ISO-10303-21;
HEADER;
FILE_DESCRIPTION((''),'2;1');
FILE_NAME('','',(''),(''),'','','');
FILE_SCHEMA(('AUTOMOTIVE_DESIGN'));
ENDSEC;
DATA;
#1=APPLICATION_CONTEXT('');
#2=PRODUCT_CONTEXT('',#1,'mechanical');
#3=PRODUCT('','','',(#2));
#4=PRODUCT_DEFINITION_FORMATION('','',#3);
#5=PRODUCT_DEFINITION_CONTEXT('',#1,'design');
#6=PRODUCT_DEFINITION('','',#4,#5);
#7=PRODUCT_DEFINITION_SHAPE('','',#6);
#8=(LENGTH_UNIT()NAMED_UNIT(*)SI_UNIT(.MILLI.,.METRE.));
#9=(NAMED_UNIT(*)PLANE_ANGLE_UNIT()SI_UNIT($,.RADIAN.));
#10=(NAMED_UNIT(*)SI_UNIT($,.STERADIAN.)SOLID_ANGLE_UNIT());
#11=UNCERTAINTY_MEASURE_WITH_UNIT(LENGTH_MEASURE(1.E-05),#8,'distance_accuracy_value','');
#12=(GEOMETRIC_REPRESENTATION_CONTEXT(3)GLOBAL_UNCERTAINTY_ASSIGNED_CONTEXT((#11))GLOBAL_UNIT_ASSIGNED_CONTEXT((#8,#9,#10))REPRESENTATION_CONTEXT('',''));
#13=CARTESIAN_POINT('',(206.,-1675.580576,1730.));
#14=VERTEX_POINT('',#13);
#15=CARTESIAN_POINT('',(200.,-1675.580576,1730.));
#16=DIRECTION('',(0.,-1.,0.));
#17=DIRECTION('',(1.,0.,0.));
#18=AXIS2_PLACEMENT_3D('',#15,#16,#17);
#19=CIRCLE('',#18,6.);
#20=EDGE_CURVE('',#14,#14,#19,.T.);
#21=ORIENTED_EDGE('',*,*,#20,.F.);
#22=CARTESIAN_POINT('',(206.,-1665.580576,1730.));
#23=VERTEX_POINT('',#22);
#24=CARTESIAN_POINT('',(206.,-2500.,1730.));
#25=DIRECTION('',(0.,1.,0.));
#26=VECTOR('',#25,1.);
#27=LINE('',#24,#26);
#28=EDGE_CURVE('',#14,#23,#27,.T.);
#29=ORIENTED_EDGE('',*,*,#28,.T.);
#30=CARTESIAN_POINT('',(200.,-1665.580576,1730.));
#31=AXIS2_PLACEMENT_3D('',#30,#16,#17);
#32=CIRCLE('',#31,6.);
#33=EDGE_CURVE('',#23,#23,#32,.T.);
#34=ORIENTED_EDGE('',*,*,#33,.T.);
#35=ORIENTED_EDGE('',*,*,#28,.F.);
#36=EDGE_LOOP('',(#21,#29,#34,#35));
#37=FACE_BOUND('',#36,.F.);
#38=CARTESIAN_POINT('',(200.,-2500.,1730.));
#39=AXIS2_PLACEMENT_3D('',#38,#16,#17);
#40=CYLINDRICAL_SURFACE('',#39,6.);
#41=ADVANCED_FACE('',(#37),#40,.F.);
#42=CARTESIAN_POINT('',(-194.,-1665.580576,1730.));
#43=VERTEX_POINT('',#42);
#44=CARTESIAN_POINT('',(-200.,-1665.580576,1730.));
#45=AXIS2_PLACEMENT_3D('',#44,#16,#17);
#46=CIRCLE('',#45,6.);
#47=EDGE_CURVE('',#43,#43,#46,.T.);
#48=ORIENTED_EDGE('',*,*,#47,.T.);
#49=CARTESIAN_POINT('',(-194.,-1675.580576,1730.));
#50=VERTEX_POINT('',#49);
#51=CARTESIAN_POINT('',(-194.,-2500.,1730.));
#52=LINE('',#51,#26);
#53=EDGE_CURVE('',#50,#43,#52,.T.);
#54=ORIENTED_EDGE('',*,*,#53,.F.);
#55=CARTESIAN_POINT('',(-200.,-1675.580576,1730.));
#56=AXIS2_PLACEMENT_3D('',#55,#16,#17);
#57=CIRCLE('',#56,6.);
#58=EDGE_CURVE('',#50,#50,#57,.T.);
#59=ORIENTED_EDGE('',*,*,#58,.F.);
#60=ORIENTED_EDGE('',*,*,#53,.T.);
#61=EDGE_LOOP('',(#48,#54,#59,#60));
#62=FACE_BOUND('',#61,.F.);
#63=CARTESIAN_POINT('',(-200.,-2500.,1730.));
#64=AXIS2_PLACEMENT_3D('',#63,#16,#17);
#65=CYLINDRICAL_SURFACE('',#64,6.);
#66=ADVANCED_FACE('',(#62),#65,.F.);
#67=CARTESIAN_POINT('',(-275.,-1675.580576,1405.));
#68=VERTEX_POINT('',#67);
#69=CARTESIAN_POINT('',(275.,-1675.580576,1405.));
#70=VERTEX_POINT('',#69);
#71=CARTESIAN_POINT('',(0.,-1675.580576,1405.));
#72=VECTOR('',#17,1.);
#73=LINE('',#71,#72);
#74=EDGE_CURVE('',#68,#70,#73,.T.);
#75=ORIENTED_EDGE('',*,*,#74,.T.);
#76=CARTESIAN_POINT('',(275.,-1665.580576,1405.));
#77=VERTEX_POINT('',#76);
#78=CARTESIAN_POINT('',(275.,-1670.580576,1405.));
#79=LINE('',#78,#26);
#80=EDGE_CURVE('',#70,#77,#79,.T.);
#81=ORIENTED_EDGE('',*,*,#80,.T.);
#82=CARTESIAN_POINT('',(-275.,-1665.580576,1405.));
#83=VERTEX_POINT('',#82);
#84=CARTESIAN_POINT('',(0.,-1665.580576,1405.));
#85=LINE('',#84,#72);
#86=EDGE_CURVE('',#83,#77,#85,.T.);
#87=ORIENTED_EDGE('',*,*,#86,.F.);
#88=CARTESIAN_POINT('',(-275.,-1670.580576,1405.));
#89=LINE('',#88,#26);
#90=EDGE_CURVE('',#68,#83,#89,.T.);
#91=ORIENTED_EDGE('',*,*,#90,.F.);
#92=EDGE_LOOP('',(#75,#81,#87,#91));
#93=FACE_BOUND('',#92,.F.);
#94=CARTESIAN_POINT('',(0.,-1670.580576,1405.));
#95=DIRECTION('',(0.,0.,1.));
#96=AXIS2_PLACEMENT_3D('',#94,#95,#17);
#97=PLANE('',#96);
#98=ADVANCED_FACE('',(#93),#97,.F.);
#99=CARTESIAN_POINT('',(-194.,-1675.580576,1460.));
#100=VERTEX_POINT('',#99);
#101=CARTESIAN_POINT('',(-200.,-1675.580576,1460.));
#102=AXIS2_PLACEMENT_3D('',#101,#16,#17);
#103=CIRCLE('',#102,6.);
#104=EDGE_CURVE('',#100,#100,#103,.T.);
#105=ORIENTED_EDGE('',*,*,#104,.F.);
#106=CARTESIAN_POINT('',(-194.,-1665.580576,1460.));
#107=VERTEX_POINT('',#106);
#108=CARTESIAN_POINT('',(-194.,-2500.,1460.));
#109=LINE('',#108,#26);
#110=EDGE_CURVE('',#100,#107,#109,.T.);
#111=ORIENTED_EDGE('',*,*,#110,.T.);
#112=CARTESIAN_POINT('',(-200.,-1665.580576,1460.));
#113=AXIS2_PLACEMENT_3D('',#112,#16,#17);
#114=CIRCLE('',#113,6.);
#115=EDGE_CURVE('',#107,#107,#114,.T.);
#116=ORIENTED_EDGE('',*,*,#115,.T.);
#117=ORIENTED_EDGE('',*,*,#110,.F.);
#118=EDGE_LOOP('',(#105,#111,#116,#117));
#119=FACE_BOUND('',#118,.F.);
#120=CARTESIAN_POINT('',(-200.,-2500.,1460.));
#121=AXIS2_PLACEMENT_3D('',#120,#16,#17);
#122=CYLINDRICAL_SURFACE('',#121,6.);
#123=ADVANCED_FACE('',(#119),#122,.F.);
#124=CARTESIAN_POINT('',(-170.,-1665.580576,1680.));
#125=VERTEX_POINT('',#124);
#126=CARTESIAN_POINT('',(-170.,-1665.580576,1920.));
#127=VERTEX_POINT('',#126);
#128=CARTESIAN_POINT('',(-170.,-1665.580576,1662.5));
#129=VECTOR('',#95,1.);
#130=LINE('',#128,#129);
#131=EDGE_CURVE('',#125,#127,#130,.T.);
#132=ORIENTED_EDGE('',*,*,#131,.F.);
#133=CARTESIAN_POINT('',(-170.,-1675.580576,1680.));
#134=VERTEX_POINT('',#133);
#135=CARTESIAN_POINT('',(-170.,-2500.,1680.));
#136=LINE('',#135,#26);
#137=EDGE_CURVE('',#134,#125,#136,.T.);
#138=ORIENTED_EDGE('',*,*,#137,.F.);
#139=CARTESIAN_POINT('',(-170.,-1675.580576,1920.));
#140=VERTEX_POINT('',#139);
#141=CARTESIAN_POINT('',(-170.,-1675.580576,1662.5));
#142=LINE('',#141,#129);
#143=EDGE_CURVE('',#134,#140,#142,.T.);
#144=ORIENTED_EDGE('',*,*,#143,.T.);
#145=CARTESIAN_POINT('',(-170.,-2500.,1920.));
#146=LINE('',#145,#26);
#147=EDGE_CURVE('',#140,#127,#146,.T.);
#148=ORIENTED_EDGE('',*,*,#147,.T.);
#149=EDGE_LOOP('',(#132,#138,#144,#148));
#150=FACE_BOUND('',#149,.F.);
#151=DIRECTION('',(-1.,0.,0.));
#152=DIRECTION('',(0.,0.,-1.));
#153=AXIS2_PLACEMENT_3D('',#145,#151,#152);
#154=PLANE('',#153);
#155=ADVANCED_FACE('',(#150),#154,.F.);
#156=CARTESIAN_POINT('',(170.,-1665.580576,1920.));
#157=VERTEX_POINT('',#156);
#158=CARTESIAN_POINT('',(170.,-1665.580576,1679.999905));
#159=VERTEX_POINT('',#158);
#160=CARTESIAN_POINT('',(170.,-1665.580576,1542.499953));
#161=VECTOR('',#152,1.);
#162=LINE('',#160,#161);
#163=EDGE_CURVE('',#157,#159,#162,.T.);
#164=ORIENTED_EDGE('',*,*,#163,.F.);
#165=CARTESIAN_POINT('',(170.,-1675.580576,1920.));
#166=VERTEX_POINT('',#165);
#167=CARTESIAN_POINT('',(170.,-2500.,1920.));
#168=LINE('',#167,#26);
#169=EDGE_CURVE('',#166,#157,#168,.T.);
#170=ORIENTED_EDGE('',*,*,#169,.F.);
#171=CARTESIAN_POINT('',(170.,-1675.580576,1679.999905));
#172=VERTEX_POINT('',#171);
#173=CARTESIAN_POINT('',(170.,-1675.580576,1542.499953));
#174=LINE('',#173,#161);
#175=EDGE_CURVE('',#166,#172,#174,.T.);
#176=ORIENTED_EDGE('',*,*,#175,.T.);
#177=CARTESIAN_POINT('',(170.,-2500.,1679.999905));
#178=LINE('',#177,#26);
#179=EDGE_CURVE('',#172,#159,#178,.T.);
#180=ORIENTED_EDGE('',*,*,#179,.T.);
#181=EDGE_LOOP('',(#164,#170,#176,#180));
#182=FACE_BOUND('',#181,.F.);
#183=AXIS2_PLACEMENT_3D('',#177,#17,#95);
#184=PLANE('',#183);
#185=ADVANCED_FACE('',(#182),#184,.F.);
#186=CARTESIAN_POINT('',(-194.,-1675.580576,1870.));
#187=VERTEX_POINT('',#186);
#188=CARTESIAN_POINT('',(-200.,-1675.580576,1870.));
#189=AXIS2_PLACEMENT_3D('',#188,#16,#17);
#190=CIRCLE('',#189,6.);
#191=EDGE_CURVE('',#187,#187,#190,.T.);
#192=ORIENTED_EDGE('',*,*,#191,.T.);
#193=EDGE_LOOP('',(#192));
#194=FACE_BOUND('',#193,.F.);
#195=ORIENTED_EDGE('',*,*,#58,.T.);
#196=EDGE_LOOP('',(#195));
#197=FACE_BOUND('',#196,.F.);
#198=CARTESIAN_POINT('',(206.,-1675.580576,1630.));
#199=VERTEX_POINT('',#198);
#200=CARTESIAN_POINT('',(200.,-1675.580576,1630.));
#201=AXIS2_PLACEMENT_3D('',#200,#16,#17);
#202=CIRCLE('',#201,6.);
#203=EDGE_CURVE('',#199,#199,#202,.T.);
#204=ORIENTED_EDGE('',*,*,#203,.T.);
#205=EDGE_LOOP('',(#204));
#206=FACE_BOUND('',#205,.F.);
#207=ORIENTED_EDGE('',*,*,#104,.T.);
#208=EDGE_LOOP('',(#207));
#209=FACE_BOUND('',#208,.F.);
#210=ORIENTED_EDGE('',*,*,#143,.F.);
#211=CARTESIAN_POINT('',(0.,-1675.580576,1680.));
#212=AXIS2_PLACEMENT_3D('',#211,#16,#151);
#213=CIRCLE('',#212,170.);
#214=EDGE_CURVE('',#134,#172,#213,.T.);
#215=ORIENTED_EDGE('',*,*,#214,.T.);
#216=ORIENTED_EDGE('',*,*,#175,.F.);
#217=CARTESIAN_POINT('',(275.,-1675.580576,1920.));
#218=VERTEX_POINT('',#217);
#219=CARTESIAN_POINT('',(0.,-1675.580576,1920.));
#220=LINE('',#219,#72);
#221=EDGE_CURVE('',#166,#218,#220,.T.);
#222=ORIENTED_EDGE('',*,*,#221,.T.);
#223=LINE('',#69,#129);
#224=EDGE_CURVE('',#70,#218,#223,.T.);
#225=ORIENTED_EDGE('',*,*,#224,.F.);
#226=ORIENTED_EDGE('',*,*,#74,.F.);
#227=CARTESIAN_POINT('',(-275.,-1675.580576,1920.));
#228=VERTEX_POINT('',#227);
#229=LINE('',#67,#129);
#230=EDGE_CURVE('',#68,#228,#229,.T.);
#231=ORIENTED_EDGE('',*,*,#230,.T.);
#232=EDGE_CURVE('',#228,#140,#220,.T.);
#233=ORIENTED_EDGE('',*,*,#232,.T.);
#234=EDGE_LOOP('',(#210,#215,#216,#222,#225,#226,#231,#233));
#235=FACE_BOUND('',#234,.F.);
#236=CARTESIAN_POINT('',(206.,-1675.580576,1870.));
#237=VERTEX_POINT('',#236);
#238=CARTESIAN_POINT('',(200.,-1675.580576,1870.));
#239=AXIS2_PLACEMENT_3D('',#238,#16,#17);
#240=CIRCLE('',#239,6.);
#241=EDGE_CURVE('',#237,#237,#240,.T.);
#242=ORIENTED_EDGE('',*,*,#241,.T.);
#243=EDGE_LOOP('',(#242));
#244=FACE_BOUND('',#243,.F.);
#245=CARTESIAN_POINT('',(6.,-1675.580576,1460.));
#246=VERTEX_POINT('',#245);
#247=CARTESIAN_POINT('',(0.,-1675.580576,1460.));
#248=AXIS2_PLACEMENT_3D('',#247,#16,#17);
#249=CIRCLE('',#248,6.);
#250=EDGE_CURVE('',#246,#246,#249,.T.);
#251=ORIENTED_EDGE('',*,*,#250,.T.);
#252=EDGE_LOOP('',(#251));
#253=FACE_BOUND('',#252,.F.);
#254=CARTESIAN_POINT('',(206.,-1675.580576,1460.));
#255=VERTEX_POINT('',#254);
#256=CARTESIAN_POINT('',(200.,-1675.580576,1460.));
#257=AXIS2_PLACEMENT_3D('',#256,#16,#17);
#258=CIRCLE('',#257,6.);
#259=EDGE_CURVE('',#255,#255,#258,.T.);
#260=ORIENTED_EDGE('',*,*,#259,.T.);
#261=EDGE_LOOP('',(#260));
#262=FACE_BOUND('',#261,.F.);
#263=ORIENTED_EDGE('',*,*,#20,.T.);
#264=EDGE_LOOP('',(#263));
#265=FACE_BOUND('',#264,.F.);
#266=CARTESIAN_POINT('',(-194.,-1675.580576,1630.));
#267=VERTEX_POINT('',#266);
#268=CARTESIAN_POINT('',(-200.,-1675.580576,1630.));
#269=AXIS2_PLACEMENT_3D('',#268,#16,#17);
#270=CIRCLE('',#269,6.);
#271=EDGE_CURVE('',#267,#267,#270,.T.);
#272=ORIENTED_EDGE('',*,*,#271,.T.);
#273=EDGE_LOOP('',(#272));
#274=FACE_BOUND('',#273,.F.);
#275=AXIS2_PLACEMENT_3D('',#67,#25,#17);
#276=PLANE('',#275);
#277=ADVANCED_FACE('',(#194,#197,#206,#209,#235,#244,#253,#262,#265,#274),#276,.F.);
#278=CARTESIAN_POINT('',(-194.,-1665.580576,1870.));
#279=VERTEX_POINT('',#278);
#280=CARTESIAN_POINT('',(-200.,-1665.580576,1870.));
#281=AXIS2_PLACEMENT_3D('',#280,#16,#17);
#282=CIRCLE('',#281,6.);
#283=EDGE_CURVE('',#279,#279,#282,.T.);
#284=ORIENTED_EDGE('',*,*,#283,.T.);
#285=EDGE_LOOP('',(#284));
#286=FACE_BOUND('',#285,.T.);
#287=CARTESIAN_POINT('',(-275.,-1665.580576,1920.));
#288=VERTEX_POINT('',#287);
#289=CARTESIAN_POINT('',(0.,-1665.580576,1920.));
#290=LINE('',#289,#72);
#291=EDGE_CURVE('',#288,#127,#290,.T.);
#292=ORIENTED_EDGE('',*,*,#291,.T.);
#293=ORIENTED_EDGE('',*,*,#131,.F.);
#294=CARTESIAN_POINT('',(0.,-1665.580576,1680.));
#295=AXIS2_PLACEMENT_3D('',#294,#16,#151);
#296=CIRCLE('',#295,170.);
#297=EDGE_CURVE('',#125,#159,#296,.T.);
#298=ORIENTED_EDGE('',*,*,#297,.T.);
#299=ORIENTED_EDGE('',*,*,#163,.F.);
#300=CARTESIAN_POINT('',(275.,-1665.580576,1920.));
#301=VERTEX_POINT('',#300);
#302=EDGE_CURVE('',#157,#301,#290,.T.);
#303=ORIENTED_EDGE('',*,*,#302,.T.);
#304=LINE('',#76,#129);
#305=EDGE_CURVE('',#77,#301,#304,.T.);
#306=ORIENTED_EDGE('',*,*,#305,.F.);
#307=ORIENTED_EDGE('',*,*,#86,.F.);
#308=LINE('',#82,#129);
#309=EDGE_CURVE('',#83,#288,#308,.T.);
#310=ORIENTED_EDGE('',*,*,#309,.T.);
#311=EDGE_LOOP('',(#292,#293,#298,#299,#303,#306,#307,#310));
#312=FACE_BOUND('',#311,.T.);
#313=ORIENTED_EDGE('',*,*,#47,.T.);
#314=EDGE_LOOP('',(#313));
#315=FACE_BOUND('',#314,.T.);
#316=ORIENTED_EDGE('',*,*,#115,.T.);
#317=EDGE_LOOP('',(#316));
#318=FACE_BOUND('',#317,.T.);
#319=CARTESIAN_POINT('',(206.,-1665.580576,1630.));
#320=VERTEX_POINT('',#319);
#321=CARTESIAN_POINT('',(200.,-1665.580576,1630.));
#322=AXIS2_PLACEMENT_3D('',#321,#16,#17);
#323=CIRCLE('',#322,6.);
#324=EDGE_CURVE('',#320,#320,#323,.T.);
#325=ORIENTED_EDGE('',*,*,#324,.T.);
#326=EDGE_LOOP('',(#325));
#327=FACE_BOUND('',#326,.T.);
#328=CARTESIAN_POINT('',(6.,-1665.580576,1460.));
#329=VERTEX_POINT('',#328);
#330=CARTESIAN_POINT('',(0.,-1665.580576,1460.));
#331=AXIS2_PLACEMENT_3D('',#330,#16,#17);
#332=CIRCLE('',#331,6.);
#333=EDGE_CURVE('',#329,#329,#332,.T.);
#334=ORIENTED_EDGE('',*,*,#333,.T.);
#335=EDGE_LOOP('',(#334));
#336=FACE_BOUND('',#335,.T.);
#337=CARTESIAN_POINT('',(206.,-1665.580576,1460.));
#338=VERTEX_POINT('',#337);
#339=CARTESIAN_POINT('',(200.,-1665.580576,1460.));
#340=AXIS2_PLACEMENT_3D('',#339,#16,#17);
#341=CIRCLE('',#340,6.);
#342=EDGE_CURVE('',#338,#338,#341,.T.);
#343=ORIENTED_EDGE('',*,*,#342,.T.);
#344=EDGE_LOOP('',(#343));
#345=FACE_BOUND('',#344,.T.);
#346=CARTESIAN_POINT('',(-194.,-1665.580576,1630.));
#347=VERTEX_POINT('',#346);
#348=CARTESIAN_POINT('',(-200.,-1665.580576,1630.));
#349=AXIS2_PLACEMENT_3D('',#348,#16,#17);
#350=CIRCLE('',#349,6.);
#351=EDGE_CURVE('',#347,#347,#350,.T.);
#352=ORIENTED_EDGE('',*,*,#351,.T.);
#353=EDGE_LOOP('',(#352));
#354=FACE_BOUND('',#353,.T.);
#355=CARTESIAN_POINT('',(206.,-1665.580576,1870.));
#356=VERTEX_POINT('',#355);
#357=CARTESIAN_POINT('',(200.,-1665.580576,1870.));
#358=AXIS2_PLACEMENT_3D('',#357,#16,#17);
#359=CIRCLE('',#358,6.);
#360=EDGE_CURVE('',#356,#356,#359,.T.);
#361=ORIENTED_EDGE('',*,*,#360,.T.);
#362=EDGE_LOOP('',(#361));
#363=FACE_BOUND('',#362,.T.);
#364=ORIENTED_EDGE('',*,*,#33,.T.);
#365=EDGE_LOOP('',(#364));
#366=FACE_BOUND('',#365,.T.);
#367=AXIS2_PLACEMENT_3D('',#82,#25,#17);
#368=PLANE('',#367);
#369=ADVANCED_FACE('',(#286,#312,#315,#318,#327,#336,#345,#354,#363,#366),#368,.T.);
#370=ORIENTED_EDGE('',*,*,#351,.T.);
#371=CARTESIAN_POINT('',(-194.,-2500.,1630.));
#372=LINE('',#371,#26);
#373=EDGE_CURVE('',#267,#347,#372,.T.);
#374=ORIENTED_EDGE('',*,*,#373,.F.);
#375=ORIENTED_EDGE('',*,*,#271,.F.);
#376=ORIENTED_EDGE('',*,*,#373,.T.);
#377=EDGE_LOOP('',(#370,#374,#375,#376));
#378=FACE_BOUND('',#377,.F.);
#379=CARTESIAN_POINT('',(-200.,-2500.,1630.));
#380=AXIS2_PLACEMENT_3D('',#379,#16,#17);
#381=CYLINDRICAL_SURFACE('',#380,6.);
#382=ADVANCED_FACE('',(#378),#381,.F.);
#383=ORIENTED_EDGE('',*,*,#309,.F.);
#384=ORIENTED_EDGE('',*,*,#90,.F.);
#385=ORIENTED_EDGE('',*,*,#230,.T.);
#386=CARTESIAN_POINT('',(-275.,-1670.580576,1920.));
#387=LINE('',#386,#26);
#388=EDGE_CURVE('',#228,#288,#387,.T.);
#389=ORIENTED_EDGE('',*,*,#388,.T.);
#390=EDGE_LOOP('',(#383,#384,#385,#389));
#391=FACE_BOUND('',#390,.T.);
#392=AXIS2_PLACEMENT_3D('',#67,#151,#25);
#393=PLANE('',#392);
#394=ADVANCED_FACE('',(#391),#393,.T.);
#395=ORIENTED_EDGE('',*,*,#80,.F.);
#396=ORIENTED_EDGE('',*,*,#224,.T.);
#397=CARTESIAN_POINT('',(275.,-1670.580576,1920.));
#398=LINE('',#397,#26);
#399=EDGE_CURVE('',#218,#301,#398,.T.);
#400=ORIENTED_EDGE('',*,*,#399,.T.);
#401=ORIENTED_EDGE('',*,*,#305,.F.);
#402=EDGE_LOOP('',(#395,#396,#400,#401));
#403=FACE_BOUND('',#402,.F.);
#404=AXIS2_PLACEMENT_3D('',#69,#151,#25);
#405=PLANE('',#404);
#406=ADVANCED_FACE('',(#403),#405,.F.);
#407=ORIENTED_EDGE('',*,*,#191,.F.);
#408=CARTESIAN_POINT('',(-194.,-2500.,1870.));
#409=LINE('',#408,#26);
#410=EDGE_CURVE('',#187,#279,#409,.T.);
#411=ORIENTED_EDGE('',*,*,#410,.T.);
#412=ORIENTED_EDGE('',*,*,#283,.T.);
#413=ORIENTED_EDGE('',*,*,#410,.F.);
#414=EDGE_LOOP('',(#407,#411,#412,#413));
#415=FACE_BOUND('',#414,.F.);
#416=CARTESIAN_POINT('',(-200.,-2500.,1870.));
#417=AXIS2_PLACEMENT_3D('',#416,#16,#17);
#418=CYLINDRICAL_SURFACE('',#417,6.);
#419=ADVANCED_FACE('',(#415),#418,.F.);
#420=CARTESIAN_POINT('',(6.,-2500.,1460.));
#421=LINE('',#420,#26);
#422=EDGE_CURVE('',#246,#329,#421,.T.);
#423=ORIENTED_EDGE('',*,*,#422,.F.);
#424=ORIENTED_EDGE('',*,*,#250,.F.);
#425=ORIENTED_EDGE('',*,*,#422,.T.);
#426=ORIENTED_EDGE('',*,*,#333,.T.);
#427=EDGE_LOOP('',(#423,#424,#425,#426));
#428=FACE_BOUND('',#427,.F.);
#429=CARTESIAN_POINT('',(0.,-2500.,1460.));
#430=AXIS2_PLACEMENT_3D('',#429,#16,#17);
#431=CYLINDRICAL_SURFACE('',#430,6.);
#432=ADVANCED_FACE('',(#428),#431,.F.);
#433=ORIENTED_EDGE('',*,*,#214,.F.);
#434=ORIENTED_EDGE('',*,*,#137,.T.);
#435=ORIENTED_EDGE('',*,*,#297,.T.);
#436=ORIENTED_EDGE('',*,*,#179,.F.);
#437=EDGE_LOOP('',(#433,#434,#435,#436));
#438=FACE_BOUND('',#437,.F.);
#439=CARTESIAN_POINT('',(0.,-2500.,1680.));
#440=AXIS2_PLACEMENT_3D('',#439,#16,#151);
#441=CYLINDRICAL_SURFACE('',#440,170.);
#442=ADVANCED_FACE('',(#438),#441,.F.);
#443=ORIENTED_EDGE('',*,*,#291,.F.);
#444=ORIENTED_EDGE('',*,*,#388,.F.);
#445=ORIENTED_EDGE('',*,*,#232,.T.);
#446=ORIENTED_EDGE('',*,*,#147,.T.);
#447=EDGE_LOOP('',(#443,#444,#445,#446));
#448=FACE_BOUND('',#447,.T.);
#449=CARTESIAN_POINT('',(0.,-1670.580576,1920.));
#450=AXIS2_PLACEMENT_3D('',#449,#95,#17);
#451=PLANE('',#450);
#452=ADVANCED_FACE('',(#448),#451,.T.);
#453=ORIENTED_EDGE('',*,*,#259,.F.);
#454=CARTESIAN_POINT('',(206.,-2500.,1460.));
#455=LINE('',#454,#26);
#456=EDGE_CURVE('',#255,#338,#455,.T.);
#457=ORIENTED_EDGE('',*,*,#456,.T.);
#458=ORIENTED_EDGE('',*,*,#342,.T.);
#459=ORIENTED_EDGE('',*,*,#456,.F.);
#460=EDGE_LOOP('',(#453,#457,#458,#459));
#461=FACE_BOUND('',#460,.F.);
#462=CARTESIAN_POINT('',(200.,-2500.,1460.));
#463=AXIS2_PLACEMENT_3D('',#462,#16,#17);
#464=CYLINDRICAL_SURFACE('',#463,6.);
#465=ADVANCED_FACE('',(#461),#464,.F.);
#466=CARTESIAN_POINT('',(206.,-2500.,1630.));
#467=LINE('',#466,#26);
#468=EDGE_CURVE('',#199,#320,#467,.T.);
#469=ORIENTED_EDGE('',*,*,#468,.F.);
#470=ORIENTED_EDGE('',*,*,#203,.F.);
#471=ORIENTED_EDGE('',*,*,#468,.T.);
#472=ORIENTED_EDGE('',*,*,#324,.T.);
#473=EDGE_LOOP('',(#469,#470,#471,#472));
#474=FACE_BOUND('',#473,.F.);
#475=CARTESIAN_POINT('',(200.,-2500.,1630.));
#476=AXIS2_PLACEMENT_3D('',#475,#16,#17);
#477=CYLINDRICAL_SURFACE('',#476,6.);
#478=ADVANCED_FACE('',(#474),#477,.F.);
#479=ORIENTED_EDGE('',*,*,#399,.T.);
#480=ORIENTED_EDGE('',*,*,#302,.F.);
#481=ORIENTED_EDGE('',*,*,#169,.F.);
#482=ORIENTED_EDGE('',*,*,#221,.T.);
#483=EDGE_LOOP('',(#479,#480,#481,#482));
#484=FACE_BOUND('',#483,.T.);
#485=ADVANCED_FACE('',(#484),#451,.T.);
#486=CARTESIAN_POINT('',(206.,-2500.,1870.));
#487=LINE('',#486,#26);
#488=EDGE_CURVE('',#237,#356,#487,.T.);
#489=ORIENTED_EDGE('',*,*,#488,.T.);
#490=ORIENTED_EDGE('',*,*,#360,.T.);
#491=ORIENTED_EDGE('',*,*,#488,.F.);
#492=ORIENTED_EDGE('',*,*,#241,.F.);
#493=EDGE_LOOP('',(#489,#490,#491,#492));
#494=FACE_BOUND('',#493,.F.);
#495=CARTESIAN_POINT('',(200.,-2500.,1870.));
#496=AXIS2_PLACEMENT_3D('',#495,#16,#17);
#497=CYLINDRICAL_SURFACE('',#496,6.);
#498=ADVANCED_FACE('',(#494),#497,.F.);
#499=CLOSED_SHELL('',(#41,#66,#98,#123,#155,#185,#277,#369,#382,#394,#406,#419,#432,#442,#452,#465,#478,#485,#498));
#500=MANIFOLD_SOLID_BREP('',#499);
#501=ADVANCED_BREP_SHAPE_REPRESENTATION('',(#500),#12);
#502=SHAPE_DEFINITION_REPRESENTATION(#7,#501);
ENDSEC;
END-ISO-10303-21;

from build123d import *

# Parameters (mm, degrees)
SKETCH005_R      = 6
EXTRUDE004_DEPTH = 1000
EXTRUDE003_DEPTH = 1000
SKETCH003_W      = 550
SKETCH003_H      = 10
EXTRUDE002_DEPTH = 515


with BuildPart() as extrude004:
    # Sketch005 → Extrude004 (new body)
    with BuildSketch(Plane.XZ.offset(2500)):
        with Locations((-200, 1730)):
            Circle(SKETCH005_R)
        with Locations((-200, 1870)):
            Circle(SKETCH005_R)
        with Locations((200, 1870)):
            Circle(SKETCH005_R)
        with Locations((200, 1730)):
            Circle(SKETCH005_R)
        with Locations((-200, 1630)):
            Circle(SKETCH005_R)
        with Locations((-200, 1460)):
            Circle(SKETCH005_R)
        with Locations((200, 1630)):
            Circle(SKETCH005_R)
        with Locations((200, 1460)):
            Circle(SKETCH005_R)
        with Locations((0, 1460)):
            Circle(SKETCH005_R)
    extrude(amount=-EXTRUDE004_DEPTH)


with BuildPart() as extrude003:
    # Sketch004 → Extrude003 (new body)
    with BuildSketch(Plane.XZ.offset(2500)):
        with BuildLine():
            Line((-170, 1920), (-170, 1680))
            ThreePointArc((-170, 1680), (-4.8e-05, 1510), (170, 1679.999905))
            Line((170, 1679.999905), (170, 1920))
            Line((170, 1920), (-170, 1920))
        make_face()
    extrude(amount=-EXTRUDE003_DEPTH)


with BuildPart() as cut002:
    # Sketch003 → Extrude002 (new body)
    with BuildSketch(Plane.XY.offset(1405)):
        with Locations((0, -1670.580576)):
            Rectangle(SKETCH003_W, SKETCH003_H)
    extrude(amount=EXTRUDE002_DEPTH)

    # Cut001: cut Extrude003
    add(extrude003.part, mode=Mode.SUBTRACT)

    # Cut002: cut Extrude004
    add(extrude004.part, mode=Mode.SUBTRACT)


solid = cut002.part
